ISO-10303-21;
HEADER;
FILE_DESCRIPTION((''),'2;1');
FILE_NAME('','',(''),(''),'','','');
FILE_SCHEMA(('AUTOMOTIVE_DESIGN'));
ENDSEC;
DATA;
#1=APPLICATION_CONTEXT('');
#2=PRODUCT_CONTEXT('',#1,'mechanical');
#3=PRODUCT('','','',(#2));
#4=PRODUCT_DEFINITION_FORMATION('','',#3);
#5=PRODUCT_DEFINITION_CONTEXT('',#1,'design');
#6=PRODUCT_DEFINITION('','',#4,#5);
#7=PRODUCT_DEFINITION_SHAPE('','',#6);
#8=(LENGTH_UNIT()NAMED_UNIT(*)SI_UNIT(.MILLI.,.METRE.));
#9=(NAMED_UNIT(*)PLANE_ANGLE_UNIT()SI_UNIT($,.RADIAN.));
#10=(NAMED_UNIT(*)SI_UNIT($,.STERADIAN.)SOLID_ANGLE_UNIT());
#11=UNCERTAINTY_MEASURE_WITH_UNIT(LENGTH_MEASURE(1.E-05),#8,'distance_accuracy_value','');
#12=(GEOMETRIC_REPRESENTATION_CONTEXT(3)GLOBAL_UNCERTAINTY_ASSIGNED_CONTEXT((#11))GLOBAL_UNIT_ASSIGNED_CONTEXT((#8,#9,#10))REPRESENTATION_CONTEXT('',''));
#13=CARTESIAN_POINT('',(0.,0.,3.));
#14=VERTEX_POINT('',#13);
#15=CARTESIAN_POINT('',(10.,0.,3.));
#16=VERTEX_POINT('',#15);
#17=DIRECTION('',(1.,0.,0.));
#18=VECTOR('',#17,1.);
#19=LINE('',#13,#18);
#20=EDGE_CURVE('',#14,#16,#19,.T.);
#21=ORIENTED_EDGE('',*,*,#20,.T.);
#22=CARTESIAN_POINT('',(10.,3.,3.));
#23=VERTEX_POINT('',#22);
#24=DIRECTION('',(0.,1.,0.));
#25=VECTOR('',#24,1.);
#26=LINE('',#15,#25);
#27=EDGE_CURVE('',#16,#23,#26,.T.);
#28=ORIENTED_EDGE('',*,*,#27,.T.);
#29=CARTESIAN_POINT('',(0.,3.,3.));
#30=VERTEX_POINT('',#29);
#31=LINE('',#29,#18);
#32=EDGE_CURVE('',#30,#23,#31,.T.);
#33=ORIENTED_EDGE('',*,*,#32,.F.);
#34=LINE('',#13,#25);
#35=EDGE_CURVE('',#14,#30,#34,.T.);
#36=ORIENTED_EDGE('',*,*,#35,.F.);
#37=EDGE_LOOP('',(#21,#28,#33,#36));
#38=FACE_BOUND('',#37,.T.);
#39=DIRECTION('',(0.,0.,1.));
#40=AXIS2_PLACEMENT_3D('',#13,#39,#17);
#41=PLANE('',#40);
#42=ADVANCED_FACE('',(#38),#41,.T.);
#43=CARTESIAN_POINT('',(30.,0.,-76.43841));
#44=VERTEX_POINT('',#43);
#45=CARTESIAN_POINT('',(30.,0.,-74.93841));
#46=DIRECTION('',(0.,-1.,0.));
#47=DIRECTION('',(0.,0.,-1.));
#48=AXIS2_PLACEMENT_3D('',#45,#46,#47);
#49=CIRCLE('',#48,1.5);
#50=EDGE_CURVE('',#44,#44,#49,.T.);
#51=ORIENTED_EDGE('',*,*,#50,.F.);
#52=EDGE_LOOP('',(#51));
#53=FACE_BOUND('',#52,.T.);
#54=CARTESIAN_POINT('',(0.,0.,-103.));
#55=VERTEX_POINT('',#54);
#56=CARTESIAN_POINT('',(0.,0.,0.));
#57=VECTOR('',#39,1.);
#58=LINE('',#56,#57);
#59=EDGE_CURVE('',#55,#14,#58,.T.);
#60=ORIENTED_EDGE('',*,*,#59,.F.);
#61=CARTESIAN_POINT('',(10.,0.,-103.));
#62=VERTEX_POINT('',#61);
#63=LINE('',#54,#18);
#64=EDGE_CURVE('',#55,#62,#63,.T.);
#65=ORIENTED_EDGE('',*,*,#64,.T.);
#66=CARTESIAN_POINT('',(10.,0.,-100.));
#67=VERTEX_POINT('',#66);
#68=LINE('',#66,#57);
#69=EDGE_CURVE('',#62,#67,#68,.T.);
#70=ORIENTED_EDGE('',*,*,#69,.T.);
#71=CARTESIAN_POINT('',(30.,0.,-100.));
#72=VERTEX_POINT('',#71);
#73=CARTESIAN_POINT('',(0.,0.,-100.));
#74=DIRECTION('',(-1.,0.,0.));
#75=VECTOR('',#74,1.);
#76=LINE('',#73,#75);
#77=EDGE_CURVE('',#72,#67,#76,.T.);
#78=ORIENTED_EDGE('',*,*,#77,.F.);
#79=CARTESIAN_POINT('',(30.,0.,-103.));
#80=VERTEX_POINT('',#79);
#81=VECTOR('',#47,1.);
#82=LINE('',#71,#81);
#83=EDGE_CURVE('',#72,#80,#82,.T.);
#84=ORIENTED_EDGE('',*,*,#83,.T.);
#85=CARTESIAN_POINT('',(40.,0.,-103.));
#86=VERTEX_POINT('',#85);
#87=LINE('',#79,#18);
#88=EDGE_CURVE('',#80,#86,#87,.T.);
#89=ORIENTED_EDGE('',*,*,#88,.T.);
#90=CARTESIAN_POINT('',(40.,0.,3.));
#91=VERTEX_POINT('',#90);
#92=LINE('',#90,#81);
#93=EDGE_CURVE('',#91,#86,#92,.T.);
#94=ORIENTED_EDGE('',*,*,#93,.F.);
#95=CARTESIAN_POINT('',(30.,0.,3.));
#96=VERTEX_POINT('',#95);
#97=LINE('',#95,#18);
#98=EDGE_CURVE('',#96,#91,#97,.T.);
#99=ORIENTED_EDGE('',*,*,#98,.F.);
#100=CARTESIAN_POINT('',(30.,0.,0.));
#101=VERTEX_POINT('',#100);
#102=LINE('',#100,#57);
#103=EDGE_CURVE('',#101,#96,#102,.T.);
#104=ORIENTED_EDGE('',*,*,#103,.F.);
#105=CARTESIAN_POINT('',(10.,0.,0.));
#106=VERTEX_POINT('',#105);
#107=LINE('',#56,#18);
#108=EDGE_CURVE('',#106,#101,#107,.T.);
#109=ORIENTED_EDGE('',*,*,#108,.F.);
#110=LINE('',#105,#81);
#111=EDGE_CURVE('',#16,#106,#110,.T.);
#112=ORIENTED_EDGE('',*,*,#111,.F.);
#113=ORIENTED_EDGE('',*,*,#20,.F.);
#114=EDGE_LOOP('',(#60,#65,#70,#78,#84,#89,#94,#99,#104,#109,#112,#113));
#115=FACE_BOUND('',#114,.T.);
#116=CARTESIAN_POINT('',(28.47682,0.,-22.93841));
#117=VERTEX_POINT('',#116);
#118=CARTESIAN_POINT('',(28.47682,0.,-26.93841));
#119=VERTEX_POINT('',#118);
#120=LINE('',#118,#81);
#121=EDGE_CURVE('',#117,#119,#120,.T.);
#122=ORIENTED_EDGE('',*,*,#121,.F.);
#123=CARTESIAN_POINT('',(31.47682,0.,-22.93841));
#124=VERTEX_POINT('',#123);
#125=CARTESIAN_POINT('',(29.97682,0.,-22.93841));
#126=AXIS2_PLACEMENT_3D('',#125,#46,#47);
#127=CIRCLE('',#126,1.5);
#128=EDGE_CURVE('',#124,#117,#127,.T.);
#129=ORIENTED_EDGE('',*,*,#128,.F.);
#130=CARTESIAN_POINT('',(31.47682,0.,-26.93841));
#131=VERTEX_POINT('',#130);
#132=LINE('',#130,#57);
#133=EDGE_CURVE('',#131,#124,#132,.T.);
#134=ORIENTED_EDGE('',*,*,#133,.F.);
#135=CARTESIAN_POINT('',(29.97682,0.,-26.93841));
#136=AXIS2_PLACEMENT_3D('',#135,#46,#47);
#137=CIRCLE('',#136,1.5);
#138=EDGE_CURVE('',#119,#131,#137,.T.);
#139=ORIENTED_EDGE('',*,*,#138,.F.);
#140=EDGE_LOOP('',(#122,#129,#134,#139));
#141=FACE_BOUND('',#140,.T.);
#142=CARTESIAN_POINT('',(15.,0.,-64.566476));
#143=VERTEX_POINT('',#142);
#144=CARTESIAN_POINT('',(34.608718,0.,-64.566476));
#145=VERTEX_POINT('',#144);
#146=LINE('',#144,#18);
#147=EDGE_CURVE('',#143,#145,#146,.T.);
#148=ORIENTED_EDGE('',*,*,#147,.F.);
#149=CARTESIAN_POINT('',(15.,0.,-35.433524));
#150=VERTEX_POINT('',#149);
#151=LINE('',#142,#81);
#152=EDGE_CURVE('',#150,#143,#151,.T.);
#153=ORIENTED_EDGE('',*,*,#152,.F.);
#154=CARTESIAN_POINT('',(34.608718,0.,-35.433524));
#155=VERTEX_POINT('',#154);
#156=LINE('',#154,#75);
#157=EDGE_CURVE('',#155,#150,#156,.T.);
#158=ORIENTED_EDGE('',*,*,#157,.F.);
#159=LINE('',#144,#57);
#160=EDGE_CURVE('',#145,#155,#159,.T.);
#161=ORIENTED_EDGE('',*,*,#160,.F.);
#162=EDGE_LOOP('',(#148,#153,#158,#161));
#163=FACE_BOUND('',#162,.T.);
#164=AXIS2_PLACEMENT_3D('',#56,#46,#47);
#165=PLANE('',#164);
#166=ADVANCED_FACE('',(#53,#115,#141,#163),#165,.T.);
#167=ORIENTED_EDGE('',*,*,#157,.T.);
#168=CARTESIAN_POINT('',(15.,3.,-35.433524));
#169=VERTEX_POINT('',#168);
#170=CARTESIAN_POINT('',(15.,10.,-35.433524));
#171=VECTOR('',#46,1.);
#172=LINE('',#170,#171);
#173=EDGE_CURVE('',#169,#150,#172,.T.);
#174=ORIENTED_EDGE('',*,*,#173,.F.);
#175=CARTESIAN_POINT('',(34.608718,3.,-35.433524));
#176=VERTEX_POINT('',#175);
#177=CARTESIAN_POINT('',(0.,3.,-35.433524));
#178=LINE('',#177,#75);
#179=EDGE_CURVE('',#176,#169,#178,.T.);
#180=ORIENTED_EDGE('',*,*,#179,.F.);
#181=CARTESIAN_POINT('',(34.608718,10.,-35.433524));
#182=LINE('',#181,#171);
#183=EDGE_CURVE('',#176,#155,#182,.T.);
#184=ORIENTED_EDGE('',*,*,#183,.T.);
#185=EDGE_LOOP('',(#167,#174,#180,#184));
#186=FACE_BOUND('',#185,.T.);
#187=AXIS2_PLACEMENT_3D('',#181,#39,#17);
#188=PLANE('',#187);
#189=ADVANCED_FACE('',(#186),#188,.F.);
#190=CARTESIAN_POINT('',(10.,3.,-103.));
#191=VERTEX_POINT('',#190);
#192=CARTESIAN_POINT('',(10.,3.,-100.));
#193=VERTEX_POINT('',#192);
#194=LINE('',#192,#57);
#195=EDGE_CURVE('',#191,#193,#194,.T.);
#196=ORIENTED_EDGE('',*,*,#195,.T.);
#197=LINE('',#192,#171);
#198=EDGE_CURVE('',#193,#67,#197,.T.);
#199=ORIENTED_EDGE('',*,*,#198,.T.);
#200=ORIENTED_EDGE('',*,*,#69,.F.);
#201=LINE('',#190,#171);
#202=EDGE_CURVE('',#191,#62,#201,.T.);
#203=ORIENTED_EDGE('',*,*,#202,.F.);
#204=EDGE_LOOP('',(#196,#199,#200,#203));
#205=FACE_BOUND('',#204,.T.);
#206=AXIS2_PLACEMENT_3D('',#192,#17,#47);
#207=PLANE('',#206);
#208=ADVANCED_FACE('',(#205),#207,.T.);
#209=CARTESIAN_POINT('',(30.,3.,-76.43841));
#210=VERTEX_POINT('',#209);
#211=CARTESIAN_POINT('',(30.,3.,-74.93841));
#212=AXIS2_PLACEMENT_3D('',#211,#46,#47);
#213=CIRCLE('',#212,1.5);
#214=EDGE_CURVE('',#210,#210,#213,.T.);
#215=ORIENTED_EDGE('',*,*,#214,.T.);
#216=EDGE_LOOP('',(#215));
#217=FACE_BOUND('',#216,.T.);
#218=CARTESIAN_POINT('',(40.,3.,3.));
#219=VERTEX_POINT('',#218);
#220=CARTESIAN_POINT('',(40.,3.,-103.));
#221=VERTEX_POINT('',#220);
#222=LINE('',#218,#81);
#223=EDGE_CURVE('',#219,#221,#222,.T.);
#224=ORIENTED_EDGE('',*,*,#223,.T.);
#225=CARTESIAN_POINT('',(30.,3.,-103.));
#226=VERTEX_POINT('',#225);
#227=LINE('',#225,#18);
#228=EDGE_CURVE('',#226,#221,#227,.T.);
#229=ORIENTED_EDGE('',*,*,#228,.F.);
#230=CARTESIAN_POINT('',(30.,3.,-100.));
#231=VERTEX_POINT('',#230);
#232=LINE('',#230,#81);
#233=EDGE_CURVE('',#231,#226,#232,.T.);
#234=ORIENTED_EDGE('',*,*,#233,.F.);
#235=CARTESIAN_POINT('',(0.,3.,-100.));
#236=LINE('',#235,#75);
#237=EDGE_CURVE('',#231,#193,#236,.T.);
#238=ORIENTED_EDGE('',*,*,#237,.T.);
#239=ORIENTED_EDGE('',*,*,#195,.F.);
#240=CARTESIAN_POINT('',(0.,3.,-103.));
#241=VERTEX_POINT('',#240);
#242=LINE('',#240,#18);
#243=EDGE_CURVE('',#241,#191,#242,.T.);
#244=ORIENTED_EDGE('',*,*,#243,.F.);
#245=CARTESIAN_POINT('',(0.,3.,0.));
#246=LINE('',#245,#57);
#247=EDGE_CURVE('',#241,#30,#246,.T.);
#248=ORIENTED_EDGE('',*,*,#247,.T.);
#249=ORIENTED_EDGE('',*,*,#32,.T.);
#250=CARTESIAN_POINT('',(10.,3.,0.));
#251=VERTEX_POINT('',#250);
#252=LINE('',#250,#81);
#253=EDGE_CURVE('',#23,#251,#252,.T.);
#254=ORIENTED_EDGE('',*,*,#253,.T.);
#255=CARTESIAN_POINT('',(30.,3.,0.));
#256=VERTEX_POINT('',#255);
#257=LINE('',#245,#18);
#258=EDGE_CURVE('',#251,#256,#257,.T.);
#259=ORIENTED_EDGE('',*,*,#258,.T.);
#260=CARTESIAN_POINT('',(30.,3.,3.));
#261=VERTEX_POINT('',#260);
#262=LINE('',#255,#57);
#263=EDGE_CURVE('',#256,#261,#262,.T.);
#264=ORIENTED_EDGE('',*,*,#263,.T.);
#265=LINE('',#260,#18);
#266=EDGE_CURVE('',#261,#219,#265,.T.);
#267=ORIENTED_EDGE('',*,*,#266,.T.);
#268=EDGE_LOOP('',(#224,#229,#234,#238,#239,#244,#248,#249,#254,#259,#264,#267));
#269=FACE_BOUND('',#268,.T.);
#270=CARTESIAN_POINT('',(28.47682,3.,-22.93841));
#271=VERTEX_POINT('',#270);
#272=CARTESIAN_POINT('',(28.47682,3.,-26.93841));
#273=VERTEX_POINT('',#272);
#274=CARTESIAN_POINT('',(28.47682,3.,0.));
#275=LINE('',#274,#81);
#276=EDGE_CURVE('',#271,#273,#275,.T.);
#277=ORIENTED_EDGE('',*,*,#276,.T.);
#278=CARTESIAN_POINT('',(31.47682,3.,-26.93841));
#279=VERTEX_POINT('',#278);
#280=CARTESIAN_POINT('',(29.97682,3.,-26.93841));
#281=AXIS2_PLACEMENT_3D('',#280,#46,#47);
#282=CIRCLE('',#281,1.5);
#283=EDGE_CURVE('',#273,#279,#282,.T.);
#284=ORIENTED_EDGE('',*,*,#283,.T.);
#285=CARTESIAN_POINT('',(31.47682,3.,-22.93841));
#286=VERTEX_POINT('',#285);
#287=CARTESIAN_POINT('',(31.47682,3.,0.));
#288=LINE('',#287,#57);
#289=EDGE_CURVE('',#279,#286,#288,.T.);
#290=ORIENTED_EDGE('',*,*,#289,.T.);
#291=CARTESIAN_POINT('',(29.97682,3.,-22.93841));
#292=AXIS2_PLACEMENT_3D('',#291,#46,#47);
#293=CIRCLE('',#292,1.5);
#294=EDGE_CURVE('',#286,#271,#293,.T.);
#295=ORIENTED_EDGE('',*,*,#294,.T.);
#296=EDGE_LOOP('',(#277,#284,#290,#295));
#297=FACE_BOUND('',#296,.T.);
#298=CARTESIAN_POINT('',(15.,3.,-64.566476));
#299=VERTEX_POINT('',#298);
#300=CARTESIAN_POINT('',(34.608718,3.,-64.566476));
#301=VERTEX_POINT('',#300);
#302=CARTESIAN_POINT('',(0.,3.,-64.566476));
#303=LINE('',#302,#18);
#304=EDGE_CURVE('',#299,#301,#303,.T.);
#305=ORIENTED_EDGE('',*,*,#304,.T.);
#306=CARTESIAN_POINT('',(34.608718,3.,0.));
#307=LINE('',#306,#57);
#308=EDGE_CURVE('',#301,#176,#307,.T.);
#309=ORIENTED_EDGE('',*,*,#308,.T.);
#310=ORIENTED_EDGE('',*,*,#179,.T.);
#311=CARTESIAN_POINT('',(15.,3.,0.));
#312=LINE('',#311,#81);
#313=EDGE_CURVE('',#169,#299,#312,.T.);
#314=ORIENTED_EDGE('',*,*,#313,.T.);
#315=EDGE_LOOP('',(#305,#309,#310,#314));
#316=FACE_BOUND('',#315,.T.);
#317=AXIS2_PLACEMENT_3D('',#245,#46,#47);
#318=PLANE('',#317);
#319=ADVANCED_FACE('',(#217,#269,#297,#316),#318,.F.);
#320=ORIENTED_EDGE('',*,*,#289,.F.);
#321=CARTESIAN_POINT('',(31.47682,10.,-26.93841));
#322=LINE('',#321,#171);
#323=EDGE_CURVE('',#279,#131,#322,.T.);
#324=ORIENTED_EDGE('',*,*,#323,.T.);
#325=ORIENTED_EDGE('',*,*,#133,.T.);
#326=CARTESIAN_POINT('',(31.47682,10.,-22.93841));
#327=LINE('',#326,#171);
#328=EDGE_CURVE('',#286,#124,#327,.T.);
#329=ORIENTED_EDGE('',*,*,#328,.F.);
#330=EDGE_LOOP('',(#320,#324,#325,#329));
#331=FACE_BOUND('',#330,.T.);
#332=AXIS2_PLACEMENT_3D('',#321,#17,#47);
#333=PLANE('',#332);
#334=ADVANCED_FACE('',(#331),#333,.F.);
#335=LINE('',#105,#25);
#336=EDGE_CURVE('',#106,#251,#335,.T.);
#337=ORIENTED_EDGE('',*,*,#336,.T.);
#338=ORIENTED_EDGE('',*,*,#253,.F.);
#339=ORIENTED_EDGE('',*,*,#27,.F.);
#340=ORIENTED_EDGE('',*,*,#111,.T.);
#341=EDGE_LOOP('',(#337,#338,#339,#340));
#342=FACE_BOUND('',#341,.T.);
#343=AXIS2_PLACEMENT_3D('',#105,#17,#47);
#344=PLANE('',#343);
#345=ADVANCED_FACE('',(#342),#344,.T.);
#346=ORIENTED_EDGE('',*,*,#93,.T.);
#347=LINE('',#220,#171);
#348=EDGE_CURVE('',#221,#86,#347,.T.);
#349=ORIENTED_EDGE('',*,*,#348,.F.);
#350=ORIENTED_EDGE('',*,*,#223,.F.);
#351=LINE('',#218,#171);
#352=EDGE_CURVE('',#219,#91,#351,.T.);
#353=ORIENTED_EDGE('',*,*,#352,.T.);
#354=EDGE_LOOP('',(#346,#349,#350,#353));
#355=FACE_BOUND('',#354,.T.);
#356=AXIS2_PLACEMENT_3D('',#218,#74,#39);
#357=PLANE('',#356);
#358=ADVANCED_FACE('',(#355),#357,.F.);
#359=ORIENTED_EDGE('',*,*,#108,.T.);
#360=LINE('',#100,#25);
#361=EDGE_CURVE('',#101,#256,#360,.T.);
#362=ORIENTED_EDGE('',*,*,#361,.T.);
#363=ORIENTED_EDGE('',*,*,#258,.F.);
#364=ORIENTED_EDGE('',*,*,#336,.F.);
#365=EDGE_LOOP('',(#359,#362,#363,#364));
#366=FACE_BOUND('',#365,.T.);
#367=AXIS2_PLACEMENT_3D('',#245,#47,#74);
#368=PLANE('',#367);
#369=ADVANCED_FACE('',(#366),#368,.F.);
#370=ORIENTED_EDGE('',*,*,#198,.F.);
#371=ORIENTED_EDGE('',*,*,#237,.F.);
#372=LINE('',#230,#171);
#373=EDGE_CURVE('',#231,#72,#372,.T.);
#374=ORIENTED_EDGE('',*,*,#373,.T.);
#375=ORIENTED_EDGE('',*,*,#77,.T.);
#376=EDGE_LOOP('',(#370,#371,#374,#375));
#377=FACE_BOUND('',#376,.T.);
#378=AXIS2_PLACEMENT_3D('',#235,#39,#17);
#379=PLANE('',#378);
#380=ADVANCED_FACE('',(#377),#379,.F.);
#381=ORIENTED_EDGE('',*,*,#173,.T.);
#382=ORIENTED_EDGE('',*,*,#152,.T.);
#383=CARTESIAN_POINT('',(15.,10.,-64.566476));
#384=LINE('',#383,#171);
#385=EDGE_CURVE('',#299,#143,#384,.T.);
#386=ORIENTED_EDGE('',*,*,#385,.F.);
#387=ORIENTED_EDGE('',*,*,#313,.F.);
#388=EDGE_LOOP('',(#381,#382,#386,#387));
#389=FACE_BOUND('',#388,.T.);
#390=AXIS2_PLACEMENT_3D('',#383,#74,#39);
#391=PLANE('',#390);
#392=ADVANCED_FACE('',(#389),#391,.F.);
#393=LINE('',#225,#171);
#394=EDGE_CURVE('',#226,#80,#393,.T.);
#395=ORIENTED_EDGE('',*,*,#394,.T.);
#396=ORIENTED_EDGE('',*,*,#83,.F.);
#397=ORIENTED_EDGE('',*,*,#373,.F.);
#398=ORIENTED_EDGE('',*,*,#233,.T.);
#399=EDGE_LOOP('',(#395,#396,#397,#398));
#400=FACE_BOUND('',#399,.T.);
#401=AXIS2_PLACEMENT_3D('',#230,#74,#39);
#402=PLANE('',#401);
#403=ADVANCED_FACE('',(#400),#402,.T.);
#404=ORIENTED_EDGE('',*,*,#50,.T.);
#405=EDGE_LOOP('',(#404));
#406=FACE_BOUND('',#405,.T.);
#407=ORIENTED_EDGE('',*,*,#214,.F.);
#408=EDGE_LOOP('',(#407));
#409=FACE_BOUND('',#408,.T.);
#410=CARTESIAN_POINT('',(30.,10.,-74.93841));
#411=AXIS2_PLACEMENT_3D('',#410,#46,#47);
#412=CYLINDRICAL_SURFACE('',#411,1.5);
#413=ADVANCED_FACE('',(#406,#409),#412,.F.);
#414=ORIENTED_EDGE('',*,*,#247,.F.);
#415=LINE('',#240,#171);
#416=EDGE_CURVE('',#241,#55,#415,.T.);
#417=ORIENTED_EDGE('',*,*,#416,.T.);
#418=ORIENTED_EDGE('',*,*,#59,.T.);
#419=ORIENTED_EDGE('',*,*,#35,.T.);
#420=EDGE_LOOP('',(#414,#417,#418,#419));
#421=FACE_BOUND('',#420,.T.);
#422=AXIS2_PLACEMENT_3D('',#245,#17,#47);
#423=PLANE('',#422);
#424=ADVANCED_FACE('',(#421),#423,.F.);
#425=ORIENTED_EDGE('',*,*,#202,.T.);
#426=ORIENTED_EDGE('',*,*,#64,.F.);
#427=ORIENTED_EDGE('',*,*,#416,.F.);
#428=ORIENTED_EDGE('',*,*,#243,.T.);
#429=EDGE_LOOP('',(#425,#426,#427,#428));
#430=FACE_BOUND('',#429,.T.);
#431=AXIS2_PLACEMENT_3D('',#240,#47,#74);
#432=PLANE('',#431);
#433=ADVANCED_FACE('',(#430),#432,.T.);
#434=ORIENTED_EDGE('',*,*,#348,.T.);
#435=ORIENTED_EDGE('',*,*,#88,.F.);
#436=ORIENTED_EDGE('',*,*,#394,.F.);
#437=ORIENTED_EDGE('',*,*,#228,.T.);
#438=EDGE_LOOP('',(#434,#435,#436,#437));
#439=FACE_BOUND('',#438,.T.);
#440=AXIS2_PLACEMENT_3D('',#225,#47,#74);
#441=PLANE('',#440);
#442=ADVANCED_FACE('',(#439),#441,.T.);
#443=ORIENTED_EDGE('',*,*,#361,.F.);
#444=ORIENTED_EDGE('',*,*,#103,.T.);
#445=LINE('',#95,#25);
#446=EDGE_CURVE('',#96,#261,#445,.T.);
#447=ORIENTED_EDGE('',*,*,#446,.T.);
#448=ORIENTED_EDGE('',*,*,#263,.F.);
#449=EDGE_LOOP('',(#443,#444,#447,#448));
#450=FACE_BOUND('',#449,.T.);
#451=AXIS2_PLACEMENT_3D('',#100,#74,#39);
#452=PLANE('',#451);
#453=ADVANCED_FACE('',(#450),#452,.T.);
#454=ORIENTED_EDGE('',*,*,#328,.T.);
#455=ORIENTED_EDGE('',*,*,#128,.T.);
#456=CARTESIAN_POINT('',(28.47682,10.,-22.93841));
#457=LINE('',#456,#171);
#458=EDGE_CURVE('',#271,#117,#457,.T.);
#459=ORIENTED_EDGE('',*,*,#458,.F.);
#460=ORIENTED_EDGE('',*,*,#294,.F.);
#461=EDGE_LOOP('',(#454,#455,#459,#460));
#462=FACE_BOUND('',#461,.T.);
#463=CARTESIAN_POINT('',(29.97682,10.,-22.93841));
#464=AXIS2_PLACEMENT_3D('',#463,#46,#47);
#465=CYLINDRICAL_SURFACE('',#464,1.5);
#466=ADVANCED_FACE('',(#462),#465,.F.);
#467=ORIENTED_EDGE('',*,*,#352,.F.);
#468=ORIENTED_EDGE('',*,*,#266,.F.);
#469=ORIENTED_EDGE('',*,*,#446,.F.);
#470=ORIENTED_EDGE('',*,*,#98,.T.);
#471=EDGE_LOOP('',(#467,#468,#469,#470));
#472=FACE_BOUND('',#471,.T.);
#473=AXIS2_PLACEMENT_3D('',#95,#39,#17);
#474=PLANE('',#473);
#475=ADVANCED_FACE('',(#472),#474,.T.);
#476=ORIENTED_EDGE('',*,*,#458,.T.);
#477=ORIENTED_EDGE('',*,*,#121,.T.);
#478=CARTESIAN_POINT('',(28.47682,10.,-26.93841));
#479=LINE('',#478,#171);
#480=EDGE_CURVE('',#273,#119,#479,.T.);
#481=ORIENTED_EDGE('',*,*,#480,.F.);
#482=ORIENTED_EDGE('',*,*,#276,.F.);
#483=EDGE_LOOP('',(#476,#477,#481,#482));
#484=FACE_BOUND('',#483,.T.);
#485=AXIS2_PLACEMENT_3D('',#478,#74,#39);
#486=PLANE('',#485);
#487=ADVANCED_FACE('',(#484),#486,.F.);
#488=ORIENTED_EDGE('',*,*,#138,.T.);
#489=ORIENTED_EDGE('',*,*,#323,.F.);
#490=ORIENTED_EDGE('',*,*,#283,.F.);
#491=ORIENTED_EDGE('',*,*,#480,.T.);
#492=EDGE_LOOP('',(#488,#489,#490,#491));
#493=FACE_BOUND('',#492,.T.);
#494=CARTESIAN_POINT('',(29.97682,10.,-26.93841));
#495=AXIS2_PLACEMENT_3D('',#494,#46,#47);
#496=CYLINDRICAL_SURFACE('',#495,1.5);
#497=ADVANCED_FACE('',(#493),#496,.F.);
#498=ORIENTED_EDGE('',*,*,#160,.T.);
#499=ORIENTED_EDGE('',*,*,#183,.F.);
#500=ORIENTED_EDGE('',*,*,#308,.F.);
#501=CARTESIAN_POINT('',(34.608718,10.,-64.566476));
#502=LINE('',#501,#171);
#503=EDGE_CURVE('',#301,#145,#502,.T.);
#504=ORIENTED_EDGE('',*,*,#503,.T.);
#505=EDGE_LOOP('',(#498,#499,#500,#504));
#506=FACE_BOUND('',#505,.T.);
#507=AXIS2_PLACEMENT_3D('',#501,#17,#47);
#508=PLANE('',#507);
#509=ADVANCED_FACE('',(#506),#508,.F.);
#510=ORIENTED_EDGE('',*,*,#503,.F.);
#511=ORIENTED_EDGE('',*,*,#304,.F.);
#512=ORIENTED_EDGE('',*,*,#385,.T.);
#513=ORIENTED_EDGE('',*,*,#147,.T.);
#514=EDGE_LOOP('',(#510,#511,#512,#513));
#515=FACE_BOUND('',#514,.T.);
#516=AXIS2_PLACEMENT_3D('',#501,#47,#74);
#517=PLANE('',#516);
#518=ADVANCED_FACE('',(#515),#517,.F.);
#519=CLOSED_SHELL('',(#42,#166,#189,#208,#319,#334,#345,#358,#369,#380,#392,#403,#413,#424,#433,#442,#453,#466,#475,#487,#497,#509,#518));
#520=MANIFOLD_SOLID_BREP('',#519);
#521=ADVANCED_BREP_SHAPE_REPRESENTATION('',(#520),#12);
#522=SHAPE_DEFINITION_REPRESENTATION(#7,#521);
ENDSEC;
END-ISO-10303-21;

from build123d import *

# Parameters (mm, degrees)
SKETCH1_W           = 120
SKETCH1_H           = 100
BOSS_EXTRUDE1_DEPTH = 3
SKETCH2_W           = 10
SKETCH2_H           = 3
SKETCH2_W_2         = 20
BOSS_EXTRUDE3_DEPTH = 3
SKETCH3_W           = 10
SKETCH3_H           = 3
SKETCH3_W_2         = 20
BOSS_EXTRUDE4_DEPTH = 3
SKETCH5_W           = 80
SKETCH5_H           = 106
CUT_EXTRUDE1_DEPTH  = 3
SKETCH6_R           = 1.5
CUT_EXTRUDE2_DEPTH  = 10
SKETCH7_W           = 19.608717555
SKETCH7_H           = 29.132951796
CUT_EXTRUDE3_DEPTH  = 10


with BuildPart() as part:
    # Sketch1 → Boss-Extrude1 (new body)
    with BuildSketch(Plane(origin=(0, 0, 0), x_dir=(1, 0, 0), z_dir=(0, 1, 0))):
        with Locations((60, 50)):
            Rectangle(SKETCH1_W, SKETCH1_H)
    extrude(amount=BOSS_EXTRUDE1_DEPTH)

    # Sketch2 → Boss-Extrude3 (add)
    with BuildSketch(Plane(origin=(0, 3, 0), x_dir=(1, 0, 0), z_dir=(0, 1, 0))):
        with Locations((5, -1.5)):
            Rectangle(SKETCH2_W, SKETCH2_H)
        with Locations((40, -1.5)):
            Rectangle(SKETCH2_W_2, SKETCH2_H)
        with Locations((80, -1.5)):
            Rectangle(SKETCH2_W_2, SKETCH2_H)
        with Locations((115, -1.5)):
            Rectangle(SKETCH2_W, SKETCH2_H)
    extrude(amount=-BOSS_EXTRUDE3_DEPTH)

    # Sketch3 → Boss-Extrude4 (add)
    with BuildSketch(Plane.XZ):
        with Locations((5, -101.5)):
            Rectangle(SKETCH3_W, SKETCH3_H)
        with Locations((40, -101.5)):
            Rectangle(SKETCH3_W_2, SKETCH3_H)
        with Locations((80, -101.5)):
            Rectangle(SKETCH3_W_2, SKETCH3_H)
        with Locations((115, -101.5)):
            Rectangle(SKETCH3_W, SKETCH3_H)
    extrude(amount=-BOSS_EXTRUDE4_DEPTH)

    # Sketch5 → Cut-Extrude1 (cut)
    with BuildSketch(Plane.XZ):
        with Locations((80, -50)):
            Rectangle(SKETCH5_W, SKETCH5_H)
    extrude(amount=-CUT_EXTRUDE1_DEPTH, mode=Mode.SUBTRACT)

    # Sketch6 → Cut-Extrude2 (cut)
    with BuildSketch(Plane.XZ):
        with Locations((30, -74.938410105)):
            Circle(SKETCH6_R)
        with BuildLine():
            Line((31.476820396, -26.938410105), (31.476820396, -22.938410105))
            ThreePointArc((31.476820396, -22.938410105), (29.976820396, -21.438410105), (28.476820396, -22.938410105))
            Line((28.476820396, -22.938410105), (28.476820396, -26.938410105))
            ThreePointArc((28.476820396, -26.938410105), (29.976820396, -28.438410105), (31.476820396, -26.938410105))
        make_face()
    extrude(amount=-CUT_EXTRUDE2_DEPTH, mode=Mode.SUBTRACT)

    # Sketch7 → Cut-Extrude3 (cut)
    with BuildSketch(Plane.XZ):
        with Locations((24.804358778, -50)):
            Rectangle(SKETCH7_W, SKETCH7_H)
    extrude(amount=-CUT_EXTRUDE3_DEPTH, mode=Mode.SUBTRACT)


solid = part.part
